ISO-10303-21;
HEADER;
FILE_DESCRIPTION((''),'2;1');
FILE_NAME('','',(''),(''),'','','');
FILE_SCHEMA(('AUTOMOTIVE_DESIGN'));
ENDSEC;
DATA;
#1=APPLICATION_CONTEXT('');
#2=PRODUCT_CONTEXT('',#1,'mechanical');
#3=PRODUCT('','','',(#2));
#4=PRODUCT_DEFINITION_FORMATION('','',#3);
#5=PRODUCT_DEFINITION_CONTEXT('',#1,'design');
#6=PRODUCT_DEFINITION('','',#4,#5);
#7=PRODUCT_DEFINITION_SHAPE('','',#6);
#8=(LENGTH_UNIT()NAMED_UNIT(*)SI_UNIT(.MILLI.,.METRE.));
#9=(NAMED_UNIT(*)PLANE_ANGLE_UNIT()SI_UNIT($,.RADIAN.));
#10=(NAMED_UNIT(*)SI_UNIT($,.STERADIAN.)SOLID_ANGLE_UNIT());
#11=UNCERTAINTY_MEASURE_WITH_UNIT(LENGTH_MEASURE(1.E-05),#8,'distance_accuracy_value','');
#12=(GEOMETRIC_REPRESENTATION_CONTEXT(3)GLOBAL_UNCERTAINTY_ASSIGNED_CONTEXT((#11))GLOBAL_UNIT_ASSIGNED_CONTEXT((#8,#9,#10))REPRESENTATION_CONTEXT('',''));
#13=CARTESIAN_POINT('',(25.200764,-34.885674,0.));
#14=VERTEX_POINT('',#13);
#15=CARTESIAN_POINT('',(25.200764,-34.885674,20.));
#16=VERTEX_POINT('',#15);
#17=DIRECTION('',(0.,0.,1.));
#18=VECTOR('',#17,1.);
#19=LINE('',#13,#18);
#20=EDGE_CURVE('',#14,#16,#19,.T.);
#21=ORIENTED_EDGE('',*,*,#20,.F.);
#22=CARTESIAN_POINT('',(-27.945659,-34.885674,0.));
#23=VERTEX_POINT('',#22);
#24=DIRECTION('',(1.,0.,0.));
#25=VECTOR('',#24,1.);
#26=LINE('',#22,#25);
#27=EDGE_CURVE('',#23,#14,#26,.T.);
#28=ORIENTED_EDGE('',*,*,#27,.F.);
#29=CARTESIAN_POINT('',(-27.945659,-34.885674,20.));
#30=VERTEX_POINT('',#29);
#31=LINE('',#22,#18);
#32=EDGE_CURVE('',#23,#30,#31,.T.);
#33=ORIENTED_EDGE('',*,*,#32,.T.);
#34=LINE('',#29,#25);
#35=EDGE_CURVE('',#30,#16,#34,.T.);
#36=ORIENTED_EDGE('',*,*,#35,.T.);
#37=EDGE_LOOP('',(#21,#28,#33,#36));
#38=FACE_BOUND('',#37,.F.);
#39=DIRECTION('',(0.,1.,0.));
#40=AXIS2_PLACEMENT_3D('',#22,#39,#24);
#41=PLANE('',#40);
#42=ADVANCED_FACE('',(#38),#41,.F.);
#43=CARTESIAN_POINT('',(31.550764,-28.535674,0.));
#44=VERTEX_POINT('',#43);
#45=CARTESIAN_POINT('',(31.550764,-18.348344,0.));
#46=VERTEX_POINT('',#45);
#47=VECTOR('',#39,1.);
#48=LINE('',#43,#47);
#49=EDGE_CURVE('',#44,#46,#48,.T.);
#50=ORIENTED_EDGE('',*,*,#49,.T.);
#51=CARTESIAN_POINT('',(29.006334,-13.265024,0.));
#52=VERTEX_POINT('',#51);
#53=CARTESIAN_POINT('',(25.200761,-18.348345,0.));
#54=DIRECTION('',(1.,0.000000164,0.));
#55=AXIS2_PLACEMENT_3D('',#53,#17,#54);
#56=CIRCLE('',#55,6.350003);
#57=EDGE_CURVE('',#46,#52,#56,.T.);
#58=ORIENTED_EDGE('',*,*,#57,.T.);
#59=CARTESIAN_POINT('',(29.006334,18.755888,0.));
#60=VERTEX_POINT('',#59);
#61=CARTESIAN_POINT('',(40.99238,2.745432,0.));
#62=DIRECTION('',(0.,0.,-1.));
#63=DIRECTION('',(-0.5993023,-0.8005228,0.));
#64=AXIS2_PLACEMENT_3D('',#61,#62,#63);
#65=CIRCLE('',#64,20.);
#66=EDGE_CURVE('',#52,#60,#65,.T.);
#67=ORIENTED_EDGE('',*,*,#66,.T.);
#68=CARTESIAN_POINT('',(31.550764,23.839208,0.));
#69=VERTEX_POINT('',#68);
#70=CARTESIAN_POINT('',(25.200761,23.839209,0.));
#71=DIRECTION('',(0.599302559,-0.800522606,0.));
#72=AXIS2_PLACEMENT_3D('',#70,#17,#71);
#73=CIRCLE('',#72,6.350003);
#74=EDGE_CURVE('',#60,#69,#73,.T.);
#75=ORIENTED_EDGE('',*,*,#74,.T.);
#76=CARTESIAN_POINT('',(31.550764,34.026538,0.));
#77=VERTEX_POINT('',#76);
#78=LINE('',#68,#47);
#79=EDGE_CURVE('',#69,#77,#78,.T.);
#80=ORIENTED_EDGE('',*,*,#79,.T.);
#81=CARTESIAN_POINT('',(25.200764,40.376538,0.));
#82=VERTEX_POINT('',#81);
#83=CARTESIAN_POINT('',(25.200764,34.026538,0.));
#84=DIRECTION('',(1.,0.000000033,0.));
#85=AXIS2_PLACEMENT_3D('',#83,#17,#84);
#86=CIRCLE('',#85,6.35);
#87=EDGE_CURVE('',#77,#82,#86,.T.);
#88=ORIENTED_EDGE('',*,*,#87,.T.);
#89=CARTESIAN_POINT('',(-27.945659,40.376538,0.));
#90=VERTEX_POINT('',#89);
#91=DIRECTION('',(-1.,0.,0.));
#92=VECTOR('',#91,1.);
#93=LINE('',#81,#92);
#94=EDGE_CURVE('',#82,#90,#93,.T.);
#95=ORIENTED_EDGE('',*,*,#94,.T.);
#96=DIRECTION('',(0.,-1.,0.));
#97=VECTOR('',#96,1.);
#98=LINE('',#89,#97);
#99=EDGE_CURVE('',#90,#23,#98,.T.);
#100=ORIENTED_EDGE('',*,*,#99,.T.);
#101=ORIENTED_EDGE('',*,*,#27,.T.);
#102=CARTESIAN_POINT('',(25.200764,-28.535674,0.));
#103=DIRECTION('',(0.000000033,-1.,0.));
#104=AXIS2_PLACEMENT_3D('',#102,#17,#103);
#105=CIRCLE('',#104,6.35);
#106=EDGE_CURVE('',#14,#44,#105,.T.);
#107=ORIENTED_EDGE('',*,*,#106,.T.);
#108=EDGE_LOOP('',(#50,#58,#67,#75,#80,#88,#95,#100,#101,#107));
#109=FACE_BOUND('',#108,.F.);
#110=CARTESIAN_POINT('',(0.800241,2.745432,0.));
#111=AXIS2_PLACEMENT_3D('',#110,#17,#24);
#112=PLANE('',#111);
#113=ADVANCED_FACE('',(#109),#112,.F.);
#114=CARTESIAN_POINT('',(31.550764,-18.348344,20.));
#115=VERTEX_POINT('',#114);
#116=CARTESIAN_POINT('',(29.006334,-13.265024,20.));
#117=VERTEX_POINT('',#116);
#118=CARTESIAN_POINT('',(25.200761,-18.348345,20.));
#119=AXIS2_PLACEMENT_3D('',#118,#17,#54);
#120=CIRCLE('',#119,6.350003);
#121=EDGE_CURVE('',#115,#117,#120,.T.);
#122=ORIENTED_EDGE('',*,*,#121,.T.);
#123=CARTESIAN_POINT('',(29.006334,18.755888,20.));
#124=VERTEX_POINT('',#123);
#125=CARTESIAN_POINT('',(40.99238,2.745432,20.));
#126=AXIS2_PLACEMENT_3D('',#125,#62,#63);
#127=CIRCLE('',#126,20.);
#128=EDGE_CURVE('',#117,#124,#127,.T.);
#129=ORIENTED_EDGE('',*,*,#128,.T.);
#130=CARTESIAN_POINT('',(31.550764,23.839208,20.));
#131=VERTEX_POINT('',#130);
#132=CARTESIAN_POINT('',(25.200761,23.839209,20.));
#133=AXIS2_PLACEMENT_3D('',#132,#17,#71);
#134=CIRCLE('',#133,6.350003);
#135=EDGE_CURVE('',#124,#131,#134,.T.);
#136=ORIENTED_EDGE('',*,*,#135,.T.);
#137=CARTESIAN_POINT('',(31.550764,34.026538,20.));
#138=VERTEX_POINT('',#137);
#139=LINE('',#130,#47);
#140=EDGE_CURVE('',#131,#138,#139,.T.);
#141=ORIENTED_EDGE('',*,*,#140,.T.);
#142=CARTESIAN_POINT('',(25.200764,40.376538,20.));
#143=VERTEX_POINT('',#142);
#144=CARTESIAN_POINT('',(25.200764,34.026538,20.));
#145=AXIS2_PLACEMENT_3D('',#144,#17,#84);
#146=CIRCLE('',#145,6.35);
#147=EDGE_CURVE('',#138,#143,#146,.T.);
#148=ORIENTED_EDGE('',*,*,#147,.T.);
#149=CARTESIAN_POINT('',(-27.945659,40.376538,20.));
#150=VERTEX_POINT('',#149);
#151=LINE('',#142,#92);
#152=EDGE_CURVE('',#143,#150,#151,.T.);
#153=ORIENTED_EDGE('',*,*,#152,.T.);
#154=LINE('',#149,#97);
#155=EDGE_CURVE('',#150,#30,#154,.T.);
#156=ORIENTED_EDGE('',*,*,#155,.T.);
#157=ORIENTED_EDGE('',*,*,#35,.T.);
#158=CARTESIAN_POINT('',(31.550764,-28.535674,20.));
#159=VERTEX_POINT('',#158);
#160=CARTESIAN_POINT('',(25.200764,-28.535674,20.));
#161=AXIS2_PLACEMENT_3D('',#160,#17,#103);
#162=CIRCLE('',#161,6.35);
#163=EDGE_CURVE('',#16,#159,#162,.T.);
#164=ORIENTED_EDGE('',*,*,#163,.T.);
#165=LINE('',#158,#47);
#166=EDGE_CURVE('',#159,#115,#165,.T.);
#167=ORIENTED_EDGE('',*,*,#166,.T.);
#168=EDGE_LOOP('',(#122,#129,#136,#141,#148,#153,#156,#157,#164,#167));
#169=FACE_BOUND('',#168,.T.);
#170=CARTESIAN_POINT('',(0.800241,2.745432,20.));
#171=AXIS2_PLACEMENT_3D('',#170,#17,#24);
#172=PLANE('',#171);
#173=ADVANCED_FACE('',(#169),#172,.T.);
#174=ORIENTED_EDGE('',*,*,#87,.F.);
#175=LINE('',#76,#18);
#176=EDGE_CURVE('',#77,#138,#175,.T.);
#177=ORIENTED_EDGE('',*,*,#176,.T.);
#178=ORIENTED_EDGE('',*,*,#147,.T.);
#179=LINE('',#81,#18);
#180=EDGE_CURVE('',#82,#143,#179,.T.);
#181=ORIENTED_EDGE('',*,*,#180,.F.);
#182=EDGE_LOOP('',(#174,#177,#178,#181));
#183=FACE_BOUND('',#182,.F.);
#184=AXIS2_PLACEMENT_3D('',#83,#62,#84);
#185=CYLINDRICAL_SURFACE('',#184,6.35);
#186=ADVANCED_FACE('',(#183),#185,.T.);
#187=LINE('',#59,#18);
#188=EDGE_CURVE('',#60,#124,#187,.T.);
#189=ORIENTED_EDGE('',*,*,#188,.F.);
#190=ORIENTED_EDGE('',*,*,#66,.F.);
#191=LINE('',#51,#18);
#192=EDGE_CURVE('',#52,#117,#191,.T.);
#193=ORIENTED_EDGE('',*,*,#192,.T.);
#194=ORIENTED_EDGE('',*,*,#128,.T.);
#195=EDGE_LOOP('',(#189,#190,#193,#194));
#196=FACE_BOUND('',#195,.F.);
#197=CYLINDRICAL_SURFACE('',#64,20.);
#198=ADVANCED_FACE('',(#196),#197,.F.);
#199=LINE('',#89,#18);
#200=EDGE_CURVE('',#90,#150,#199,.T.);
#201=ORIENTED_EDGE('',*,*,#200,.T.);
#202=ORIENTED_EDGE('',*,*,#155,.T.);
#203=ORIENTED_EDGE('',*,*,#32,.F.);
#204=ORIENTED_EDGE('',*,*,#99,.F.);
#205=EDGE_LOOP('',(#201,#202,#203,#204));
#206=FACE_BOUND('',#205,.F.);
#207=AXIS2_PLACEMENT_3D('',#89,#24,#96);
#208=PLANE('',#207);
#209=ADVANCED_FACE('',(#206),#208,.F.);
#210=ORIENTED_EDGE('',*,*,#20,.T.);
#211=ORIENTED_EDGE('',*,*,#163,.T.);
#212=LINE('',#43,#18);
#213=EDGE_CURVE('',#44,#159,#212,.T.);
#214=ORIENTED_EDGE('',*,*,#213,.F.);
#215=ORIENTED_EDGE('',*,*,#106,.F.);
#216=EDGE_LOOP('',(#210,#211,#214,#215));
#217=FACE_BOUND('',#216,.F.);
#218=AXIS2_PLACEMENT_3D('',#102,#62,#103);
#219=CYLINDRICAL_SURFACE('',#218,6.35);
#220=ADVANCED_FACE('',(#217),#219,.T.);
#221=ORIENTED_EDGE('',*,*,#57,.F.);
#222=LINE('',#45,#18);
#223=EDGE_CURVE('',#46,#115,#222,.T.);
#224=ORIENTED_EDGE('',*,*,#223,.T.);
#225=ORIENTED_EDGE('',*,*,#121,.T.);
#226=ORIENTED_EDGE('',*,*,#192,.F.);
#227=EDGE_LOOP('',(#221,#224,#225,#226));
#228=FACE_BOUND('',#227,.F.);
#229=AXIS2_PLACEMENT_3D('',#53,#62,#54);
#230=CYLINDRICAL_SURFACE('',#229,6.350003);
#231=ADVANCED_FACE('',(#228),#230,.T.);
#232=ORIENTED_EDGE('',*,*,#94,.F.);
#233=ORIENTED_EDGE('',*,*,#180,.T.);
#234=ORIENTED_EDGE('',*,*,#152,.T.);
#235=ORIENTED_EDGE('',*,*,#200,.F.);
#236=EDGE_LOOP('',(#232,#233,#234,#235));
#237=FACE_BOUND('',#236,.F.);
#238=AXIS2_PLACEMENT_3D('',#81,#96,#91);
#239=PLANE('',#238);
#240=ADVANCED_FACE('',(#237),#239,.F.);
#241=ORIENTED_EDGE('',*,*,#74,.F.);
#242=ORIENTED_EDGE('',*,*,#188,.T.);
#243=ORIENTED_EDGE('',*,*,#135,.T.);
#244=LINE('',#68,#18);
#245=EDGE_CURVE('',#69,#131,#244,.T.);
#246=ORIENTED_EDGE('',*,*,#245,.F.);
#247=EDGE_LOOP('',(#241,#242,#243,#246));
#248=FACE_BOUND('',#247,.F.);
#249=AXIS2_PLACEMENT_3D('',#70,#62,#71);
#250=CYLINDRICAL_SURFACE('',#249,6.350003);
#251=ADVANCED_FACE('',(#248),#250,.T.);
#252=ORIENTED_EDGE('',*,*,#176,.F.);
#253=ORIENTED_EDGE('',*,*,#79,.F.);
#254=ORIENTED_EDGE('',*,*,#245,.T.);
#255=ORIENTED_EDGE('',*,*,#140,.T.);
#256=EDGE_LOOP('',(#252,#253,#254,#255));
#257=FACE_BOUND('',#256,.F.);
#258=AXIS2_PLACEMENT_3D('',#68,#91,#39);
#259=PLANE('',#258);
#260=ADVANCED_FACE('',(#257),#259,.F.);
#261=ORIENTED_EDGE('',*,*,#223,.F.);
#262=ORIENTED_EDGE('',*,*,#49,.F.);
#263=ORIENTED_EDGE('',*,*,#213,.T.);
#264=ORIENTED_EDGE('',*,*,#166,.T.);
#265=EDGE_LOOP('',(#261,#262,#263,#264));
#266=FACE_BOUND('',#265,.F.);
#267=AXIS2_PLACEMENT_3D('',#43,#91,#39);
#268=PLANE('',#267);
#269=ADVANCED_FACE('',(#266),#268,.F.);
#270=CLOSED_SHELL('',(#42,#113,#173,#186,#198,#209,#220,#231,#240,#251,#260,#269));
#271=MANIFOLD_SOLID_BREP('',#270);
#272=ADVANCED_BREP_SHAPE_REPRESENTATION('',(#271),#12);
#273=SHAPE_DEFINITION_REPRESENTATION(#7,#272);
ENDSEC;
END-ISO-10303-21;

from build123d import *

# Parameters (mm, degrees)
F1_DEPTH = 20


with BuildPart() as f1:
    # F0 (on Top) → F1 (new body)
    with BuildSketch(Plane.XY):
        with BuildLine():
            Line((-27.945659, 40.376538), (-27.945659, -34.885674))
            Line((-27.945659, -34.885674), (25.200764, -34.885674))
            ThreePointArc((25.200764, -34.885674), (29.690892, -33.025802), (31.550764, -28.535674))
            Line((31.550764, -28.535674), (31.550764, -18.348344))
            ThreePointArc((31.550764, -18.348344), (30.879138, -15.506062), (29.006334, -13.265024))
            ThreePointArc((29.006334, -13.265024), (20.99238, 2.745432), (29.006334, 18.755888))
            ThreePointArc((29.006334, 18.755888), (30.879138, 20.996926), (31.550764, 23.839208))
            Line((31.550764, 23.839208), (31.550764, 34.026538))
            ThreePointArc((31.550764, 34.026538), (29.690892, 38.516666), (25.200764, 40.376538))
            Line((25.200764, 40.376538), (-27.945659, 40.376538))
        make_face()
    extrude(amount=F1_DEPTH)


solid = f1.part
